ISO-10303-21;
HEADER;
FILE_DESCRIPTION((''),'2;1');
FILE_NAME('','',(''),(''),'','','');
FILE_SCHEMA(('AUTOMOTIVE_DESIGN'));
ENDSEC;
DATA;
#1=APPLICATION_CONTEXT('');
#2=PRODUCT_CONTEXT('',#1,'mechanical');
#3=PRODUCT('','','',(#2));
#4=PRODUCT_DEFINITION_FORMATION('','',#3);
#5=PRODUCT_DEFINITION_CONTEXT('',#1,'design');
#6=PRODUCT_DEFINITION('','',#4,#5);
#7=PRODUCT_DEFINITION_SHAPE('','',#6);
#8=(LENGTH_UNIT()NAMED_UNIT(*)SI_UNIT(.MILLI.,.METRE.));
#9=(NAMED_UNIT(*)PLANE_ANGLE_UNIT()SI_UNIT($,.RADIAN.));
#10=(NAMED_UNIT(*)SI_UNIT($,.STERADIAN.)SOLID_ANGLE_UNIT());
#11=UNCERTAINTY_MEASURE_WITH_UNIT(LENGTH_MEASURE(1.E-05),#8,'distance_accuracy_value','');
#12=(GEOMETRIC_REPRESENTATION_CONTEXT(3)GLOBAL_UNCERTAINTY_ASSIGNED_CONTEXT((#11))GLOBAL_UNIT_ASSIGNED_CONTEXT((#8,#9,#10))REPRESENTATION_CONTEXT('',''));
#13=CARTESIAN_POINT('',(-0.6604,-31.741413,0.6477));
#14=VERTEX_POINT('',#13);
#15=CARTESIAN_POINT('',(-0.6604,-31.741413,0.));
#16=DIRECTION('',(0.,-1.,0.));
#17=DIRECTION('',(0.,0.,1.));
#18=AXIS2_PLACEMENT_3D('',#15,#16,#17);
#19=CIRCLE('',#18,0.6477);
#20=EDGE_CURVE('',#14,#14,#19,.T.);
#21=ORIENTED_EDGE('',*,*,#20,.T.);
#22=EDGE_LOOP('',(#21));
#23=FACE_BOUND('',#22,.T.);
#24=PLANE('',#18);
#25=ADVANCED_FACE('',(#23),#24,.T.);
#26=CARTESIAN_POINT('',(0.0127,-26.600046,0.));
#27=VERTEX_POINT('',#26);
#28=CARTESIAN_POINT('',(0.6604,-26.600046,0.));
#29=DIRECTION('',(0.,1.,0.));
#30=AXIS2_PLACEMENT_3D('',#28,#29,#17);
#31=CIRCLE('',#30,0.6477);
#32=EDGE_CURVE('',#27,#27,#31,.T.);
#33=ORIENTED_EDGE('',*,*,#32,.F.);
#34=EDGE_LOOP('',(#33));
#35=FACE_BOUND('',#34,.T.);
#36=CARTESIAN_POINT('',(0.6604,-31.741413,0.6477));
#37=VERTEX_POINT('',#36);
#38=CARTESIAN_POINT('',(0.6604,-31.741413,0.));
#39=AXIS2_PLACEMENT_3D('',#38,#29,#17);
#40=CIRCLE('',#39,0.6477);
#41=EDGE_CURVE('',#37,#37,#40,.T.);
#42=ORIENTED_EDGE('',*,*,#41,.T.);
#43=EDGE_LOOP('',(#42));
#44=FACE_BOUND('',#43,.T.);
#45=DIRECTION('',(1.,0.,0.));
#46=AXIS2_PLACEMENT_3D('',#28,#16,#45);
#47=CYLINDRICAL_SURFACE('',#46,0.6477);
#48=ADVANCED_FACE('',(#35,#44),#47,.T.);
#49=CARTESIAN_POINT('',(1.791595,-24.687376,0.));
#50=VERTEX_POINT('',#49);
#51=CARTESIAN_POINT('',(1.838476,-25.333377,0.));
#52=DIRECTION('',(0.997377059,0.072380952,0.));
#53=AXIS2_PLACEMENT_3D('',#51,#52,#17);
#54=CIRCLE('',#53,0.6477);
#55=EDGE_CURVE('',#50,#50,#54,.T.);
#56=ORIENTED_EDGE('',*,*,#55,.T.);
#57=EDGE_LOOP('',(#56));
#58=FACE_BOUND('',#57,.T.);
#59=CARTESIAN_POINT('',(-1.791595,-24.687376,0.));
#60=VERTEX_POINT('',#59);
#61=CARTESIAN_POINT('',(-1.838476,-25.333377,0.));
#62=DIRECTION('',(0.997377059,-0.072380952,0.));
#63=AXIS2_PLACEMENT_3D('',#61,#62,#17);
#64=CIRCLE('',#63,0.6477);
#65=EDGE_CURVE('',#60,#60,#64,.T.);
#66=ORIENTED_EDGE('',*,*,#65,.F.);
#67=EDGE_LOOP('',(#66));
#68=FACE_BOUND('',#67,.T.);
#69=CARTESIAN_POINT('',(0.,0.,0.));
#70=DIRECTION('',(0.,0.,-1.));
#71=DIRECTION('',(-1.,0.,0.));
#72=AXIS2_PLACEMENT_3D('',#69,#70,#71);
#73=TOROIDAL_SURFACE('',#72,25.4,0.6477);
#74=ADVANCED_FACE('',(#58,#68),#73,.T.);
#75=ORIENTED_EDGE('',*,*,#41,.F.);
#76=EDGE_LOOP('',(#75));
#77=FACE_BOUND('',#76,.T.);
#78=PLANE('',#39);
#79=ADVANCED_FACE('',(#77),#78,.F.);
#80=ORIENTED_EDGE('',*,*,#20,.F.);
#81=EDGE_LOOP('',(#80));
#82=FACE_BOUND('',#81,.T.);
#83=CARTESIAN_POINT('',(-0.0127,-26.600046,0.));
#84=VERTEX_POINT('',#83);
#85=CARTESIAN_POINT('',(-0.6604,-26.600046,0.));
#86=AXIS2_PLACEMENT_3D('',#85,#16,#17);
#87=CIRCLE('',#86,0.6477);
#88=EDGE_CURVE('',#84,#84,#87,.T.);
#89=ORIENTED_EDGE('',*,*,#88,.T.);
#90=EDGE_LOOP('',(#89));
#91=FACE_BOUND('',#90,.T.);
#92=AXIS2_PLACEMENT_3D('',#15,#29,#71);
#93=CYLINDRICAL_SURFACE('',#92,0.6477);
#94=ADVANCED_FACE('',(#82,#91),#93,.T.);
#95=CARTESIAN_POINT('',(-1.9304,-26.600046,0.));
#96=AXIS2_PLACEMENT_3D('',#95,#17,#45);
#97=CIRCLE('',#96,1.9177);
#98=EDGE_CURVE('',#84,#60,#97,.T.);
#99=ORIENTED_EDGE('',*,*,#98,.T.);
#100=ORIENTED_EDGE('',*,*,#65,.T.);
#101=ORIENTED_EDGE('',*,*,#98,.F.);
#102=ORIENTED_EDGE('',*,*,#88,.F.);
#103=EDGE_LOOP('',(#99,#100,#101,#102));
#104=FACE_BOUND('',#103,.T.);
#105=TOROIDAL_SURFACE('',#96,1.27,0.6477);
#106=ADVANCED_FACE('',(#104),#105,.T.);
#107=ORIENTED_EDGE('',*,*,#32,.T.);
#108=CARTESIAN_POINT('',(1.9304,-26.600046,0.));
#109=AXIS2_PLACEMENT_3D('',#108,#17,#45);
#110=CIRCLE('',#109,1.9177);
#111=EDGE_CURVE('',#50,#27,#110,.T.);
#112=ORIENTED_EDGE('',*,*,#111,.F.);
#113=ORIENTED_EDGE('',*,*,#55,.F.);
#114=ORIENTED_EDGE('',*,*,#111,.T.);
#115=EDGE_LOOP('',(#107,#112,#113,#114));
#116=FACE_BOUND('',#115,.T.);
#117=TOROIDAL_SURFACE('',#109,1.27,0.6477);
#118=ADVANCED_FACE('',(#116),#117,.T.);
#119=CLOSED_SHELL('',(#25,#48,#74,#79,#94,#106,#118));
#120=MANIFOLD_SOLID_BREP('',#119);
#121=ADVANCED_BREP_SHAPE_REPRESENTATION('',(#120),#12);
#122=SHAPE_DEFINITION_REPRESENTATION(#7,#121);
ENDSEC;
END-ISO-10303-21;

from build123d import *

# Parameters (mm, degrees)
SKETCH2_R = 0.6477


with BuildPart() as part:
    # Sweep2: sweep along a path in Sketch1
    with BuildLine(Plane.XY) as sweep2_path:
        Line((-0.6604, -31.741413349), (-0.6604, -26.600046162))
        ThreePointArc((-0.6604, -26.600046162), (-1.000442141, -25.735130917), (-1.83847619, -25.333377297))
        ThreePointArc((-1.83847619, -25.333377297), (0, 25.4), (1.83847619, -25.333377297))
        ThreePointArc((1.83847619, -25.333377297), (1.000442141, -25.735130917), (0.6604, -26.600046162))
        Line((0.6604, -26.600046162), (0.6604, -31.741413349))
    # Sketch2 → Sweep2 (sweep)
    with BuildSketch(Plane(origin=(0, -31.741413349, 0), x_dir=(1, 0, 0), z_dir=(0, 1, 0))):
        with Locations((0.6604, 0)):
            Circle(SKETCH2_R)
    sweep(path=sweep2_path.line)


solid = part.part
